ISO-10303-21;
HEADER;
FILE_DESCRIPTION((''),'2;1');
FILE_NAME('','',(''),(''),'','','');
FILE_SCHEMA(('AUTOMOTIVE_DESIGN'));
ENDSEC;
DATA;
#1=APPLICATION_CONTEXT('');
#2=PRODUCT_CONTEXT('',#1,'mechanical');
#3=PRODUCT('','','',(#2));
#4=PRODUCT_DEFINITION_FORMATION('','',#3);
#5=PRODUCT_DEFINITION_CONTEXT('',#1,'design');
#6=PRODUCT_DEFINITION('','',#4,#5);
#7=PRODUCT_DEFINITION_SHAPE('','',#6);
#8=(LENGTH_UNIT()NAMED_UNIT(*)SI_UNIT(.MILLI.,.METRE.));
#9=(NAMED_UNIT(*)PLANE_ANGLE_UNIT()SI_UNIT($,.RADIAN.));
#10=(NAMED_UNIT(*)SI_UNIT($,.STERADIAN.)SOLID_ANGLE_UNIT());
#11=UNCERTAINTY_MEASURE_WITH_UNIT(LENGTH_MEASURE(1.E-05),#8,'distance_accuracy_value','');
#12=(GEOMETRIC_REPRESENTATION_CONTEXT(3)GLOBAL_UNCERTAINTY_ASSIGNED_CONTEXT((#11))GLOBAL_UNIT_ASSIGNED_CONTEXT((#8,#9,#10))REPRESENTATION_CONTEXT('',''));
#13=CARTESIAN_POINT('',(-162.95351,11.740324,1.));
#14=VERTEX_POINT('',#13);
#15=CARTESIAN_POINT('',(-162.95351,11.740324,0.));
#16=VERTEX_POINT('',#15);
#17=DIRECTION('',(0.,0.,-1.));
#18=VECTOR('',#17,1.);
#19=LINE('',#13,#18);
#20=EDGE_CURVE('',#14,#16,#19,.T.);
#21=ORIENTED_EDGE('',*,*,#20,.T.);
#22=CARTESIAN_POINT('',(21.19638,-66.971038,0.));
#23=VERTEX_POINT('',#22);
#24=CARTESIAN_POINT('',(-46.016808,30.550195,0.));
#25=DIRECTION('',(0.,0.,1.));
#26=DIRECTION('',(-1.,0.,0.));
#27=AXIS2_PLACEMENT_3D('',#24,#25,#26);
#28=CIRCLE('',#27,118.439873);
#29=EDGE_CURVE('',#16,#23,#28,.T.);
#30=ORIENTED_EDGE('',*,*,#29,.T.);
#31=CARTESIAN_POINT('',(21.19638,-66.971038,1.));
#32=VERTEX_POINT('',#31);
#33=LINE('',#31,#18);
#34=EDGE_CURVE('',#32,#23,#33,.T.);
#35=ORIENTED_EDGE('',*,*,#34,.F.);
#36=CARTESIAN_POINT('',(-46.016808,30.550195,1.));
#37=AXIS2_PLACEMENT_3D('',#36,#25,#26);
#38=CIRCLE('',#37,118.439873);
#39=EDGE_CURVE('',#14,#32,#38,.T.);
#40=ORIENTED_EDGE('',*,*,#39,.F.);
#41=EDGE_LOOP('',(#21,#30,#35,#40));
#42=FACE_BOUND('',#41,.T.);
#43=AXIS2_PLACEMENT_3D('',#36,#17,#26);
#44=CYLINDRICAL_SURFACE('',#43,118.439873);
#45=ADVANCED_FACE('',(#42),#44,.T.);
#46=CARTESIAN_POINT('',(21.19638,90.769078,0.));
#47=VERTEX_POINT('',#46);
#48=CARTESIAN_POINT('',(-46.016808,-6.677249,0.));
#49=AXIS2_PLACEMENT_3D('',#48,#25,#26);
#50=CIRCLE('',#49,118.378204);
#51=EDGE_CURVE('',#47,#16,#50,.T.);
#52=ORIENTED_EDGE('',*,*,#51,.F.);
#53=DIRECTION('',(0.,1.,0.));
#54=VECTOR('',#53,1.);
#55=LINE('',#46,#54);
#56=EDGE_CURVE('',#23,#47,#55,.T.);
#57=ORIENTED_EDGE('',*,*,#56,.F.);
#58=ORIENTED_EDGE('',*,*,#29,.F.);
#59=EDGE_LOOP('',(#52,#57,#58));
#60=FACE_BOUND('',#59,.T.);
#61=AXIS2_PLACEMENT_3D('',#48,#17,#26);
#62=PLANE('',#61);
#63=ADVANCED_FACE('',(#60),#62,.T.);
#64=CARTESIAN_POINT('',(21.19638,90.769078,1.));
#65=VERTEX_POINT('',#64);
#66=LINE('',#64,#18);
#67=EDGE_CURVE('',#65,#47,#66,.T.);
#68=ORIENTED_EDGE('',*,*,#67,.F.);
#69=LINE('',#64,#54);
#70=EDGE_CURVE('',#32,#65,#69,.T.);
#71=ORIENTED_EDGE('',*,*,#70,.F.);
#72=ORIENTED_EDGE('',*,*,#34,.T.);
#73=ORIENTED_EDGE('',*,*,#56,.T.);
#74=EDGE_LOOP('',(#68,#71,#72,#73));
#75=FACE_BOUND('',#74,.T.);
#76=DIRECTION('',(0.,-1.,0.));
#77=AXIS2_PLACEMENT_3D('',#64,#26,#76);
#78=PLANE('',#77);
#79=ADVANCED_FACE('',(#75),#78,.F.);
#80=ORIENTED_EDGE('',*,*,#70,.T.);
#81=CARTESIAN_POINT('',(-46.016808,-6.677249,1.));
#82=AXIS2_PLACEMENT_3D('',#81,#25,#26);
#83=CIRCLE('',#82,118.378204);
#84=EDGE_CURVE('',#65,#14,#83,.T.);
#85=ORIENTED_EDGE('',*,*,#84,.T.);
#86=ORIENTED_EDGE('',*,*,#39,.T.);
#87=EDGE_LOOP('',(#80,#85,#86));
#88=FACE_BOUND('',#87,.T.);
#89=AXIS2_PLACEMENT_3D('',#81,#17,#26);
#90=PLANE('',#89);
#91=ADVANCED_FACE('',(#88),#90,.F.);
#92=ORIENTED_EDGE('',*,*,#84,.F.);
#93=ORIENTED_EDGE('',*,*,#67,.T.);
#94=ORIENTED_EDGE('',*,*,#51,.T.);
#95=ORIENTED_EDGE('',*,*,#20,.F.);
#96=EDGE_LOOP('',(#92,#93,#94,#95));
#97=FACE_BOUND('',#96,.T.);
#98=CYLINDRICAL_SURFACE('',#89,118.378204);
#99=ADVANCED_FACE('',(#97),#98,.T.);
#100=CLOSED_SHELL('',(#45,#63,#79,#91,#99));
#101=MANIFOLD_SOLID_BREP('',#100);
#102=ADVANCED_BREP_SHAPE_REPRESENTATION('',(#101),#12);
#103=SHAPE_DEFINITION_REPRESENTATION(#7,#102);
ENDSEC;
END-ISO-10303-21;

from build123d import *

# Parameters (mm, degrees)
BOSS_EXTRUDE1_DEPTH = 1


with BuildPart() as part:
    # Sketch1 → Boss-Extrude1 (new body)
    with BuildSketch(Plane.XY):
        with BuildLine():
            Line((21.196379948, 90.769077736), (21.196379951, -66.971037629))
            ThreePointArc((21.196379951, -66.971037629), (-92.5676036, -78.358146763), (-162.953509904, 11.740323822))
            ThreePointArc((-162.953509904, 11.740323822), (-92.701847917, 102.106510412), (21.196379948, 90.769077736))
        make_face()
    extrude(amount=BOSS_EXTRUDE1_DEPTH)


solid = part.part
